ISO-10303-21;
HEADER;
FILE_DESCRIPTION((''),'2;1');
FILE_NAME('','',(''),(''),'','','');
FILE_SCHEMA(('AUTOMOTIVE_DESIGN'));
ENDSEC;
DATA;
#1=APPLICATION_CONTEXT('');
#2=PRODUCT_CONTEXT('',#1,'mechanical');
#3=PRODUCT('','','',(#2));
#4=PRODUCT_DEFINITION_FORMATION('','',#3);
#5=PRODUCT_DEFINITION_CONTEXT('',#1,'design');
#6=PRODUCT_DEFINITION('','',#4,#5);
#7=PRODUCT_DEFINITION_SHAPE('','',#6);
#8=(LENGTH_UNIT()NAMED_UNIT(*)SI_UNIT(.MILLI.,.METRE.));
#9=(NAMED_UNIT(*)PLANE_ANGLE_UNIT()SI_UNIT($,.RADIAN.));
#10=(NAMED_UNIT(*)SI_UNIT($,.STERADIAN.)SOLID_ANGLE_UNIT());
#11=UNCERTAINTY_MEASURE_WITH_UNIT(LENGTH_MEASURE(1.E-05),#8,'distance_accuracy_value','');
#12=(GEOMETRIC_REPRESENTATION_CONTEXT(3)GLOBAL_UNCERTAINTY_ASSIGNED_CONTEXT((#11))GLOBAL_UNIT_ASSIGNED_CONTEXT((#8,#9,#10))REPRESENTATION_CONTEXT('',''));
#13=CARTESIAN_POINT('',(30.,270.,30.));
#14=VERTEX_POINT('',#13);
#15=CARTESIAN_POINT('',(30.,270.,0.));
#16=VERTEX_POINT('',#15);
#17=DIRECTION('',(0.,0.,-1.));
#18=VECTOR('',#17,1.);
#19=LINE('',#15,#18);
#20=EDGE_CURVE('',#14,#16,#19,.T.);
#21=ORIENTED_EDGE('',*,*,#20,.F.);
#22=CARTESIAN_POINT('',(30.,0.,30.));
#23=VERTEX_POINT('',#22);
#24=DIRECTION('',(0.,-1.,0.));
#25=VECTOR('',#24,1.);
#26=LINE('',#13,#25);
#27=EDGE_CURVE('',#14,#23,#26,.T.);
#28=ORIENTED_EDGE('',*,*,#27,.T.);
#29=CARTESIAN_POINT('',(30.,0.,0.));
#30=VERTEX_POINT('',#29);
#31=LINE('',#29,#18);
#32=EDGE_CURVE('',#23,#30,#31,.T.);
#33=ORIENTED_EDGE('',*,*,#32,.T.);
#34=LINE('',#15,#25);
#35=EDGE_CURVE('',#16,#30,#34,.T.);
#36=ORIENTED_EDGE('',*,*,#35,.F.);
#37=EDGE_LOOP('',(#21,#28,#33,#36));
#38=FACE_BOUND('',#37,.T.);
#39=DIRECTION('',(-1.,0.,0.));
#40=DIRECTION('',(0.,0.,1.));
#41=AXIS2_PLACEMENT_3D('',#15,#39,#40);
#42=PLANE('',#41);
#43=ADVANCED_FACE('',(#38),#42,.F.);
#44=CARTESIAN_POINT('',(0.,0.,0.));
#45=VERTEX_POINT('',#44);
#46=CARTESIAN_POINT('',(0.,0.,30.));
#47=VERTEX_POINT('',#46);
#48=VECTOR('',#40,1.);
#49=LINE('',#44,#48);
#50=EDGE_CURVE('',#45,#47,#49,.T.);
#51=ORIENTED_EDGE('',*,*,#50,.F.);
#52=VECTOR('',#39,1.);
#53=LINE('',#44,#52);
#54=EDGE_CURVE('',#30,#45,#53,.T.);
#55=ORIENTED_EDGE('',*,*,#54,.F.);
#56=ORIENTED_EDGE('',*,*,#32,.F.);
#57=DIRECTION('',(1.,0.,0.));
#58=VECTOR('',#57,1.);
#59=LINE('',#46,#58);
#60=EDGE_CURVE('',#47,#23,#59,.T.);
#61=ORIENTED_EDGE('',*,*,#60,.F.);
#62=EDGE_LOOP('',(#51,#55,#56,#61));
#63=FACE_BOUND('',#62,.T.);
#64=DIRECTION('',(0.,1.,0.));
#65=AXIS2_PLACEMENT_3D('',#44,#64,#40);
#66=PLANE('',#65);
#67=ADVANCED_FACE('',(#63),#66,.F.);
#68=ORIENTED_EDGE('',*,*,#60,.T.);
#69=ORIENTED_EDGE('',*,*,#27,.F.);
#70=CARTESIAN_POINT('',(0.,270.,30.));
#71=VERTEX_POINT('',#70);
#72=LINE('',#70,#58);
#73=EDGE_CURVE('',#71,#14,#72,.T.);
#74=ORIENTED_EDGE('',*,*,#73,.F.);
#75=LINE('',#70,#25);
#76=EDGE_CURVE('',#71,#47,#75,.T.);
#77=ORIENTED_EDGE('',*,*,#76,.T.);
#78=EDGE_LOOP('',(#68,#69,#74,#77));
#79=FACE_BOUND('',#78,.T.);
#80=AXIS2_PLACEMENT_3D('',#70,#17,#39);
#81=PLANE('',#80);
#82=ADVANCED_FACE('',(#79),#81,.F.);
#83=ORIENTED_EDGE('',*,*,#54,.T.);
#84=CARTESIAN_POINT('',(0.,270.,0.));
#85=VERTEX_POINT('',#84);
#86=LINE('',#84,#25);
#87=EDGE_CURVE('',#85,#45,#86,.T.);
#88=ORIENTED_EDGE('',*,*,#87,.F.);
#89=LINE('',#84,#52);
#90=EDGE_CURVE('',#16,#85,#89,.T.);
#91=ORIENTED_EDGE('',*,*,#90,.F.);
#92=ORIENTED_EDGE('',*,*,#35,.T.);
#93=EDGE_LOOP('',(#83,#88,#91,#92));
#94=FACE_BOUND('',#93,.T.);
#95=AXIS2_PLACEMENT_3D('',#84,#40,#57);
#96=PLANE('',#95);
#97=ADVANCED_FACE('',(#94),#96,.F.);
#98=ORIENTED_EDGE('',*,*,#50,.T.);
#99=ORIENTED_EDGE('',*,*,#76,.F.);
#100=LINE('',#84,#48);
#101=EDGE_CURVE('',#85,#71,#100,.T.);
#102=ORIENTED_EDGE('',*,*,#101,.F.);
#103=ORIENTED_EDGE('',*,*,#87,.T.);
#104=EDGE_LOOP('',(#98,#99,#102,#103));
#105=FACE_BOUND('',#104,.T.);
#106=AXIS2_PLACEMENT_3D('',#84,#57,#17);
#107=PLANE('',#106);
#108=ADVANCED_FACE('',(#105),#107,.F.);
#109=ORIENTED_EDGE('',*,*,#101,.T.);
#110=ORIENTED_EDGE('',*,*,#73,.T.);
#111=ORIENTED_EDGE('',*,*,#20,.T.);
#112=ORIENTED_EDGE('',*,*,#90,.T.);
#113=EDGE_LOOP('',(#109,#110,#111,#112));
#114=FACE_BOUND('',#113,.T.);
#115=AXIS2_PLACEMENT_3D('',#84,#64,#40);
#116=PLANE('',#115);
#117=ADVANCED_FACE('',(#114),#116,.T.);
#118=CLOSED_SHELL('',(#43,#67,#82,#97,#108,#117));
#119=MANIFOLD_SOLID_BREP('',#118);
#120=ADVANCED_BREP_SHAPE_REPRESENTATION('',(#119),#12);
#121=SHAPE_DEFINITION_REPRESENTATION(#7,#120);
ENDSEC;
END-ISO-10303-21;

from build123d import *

# Parameters (mm, degrees)
SKETCH_1_W      = 30
SKETCH_1_H      = 30
EXTRUDE_1_DEPTH = 270


with BuildPart() as part:
    # 草图1 → 凸台-拉伸1 (new body)
    with BuildSketch(Plane(origin=(0, 0, 0), x_dir=(1, 0, 0), z_dir=(0, 1, 0))):
        with Locations((15, -15)):
            Rectangle(SKETCH_1_W, SKETCH_1_H)
    extrude(amount=EXTRUDE_1_DEPTH)


solid = part.part
